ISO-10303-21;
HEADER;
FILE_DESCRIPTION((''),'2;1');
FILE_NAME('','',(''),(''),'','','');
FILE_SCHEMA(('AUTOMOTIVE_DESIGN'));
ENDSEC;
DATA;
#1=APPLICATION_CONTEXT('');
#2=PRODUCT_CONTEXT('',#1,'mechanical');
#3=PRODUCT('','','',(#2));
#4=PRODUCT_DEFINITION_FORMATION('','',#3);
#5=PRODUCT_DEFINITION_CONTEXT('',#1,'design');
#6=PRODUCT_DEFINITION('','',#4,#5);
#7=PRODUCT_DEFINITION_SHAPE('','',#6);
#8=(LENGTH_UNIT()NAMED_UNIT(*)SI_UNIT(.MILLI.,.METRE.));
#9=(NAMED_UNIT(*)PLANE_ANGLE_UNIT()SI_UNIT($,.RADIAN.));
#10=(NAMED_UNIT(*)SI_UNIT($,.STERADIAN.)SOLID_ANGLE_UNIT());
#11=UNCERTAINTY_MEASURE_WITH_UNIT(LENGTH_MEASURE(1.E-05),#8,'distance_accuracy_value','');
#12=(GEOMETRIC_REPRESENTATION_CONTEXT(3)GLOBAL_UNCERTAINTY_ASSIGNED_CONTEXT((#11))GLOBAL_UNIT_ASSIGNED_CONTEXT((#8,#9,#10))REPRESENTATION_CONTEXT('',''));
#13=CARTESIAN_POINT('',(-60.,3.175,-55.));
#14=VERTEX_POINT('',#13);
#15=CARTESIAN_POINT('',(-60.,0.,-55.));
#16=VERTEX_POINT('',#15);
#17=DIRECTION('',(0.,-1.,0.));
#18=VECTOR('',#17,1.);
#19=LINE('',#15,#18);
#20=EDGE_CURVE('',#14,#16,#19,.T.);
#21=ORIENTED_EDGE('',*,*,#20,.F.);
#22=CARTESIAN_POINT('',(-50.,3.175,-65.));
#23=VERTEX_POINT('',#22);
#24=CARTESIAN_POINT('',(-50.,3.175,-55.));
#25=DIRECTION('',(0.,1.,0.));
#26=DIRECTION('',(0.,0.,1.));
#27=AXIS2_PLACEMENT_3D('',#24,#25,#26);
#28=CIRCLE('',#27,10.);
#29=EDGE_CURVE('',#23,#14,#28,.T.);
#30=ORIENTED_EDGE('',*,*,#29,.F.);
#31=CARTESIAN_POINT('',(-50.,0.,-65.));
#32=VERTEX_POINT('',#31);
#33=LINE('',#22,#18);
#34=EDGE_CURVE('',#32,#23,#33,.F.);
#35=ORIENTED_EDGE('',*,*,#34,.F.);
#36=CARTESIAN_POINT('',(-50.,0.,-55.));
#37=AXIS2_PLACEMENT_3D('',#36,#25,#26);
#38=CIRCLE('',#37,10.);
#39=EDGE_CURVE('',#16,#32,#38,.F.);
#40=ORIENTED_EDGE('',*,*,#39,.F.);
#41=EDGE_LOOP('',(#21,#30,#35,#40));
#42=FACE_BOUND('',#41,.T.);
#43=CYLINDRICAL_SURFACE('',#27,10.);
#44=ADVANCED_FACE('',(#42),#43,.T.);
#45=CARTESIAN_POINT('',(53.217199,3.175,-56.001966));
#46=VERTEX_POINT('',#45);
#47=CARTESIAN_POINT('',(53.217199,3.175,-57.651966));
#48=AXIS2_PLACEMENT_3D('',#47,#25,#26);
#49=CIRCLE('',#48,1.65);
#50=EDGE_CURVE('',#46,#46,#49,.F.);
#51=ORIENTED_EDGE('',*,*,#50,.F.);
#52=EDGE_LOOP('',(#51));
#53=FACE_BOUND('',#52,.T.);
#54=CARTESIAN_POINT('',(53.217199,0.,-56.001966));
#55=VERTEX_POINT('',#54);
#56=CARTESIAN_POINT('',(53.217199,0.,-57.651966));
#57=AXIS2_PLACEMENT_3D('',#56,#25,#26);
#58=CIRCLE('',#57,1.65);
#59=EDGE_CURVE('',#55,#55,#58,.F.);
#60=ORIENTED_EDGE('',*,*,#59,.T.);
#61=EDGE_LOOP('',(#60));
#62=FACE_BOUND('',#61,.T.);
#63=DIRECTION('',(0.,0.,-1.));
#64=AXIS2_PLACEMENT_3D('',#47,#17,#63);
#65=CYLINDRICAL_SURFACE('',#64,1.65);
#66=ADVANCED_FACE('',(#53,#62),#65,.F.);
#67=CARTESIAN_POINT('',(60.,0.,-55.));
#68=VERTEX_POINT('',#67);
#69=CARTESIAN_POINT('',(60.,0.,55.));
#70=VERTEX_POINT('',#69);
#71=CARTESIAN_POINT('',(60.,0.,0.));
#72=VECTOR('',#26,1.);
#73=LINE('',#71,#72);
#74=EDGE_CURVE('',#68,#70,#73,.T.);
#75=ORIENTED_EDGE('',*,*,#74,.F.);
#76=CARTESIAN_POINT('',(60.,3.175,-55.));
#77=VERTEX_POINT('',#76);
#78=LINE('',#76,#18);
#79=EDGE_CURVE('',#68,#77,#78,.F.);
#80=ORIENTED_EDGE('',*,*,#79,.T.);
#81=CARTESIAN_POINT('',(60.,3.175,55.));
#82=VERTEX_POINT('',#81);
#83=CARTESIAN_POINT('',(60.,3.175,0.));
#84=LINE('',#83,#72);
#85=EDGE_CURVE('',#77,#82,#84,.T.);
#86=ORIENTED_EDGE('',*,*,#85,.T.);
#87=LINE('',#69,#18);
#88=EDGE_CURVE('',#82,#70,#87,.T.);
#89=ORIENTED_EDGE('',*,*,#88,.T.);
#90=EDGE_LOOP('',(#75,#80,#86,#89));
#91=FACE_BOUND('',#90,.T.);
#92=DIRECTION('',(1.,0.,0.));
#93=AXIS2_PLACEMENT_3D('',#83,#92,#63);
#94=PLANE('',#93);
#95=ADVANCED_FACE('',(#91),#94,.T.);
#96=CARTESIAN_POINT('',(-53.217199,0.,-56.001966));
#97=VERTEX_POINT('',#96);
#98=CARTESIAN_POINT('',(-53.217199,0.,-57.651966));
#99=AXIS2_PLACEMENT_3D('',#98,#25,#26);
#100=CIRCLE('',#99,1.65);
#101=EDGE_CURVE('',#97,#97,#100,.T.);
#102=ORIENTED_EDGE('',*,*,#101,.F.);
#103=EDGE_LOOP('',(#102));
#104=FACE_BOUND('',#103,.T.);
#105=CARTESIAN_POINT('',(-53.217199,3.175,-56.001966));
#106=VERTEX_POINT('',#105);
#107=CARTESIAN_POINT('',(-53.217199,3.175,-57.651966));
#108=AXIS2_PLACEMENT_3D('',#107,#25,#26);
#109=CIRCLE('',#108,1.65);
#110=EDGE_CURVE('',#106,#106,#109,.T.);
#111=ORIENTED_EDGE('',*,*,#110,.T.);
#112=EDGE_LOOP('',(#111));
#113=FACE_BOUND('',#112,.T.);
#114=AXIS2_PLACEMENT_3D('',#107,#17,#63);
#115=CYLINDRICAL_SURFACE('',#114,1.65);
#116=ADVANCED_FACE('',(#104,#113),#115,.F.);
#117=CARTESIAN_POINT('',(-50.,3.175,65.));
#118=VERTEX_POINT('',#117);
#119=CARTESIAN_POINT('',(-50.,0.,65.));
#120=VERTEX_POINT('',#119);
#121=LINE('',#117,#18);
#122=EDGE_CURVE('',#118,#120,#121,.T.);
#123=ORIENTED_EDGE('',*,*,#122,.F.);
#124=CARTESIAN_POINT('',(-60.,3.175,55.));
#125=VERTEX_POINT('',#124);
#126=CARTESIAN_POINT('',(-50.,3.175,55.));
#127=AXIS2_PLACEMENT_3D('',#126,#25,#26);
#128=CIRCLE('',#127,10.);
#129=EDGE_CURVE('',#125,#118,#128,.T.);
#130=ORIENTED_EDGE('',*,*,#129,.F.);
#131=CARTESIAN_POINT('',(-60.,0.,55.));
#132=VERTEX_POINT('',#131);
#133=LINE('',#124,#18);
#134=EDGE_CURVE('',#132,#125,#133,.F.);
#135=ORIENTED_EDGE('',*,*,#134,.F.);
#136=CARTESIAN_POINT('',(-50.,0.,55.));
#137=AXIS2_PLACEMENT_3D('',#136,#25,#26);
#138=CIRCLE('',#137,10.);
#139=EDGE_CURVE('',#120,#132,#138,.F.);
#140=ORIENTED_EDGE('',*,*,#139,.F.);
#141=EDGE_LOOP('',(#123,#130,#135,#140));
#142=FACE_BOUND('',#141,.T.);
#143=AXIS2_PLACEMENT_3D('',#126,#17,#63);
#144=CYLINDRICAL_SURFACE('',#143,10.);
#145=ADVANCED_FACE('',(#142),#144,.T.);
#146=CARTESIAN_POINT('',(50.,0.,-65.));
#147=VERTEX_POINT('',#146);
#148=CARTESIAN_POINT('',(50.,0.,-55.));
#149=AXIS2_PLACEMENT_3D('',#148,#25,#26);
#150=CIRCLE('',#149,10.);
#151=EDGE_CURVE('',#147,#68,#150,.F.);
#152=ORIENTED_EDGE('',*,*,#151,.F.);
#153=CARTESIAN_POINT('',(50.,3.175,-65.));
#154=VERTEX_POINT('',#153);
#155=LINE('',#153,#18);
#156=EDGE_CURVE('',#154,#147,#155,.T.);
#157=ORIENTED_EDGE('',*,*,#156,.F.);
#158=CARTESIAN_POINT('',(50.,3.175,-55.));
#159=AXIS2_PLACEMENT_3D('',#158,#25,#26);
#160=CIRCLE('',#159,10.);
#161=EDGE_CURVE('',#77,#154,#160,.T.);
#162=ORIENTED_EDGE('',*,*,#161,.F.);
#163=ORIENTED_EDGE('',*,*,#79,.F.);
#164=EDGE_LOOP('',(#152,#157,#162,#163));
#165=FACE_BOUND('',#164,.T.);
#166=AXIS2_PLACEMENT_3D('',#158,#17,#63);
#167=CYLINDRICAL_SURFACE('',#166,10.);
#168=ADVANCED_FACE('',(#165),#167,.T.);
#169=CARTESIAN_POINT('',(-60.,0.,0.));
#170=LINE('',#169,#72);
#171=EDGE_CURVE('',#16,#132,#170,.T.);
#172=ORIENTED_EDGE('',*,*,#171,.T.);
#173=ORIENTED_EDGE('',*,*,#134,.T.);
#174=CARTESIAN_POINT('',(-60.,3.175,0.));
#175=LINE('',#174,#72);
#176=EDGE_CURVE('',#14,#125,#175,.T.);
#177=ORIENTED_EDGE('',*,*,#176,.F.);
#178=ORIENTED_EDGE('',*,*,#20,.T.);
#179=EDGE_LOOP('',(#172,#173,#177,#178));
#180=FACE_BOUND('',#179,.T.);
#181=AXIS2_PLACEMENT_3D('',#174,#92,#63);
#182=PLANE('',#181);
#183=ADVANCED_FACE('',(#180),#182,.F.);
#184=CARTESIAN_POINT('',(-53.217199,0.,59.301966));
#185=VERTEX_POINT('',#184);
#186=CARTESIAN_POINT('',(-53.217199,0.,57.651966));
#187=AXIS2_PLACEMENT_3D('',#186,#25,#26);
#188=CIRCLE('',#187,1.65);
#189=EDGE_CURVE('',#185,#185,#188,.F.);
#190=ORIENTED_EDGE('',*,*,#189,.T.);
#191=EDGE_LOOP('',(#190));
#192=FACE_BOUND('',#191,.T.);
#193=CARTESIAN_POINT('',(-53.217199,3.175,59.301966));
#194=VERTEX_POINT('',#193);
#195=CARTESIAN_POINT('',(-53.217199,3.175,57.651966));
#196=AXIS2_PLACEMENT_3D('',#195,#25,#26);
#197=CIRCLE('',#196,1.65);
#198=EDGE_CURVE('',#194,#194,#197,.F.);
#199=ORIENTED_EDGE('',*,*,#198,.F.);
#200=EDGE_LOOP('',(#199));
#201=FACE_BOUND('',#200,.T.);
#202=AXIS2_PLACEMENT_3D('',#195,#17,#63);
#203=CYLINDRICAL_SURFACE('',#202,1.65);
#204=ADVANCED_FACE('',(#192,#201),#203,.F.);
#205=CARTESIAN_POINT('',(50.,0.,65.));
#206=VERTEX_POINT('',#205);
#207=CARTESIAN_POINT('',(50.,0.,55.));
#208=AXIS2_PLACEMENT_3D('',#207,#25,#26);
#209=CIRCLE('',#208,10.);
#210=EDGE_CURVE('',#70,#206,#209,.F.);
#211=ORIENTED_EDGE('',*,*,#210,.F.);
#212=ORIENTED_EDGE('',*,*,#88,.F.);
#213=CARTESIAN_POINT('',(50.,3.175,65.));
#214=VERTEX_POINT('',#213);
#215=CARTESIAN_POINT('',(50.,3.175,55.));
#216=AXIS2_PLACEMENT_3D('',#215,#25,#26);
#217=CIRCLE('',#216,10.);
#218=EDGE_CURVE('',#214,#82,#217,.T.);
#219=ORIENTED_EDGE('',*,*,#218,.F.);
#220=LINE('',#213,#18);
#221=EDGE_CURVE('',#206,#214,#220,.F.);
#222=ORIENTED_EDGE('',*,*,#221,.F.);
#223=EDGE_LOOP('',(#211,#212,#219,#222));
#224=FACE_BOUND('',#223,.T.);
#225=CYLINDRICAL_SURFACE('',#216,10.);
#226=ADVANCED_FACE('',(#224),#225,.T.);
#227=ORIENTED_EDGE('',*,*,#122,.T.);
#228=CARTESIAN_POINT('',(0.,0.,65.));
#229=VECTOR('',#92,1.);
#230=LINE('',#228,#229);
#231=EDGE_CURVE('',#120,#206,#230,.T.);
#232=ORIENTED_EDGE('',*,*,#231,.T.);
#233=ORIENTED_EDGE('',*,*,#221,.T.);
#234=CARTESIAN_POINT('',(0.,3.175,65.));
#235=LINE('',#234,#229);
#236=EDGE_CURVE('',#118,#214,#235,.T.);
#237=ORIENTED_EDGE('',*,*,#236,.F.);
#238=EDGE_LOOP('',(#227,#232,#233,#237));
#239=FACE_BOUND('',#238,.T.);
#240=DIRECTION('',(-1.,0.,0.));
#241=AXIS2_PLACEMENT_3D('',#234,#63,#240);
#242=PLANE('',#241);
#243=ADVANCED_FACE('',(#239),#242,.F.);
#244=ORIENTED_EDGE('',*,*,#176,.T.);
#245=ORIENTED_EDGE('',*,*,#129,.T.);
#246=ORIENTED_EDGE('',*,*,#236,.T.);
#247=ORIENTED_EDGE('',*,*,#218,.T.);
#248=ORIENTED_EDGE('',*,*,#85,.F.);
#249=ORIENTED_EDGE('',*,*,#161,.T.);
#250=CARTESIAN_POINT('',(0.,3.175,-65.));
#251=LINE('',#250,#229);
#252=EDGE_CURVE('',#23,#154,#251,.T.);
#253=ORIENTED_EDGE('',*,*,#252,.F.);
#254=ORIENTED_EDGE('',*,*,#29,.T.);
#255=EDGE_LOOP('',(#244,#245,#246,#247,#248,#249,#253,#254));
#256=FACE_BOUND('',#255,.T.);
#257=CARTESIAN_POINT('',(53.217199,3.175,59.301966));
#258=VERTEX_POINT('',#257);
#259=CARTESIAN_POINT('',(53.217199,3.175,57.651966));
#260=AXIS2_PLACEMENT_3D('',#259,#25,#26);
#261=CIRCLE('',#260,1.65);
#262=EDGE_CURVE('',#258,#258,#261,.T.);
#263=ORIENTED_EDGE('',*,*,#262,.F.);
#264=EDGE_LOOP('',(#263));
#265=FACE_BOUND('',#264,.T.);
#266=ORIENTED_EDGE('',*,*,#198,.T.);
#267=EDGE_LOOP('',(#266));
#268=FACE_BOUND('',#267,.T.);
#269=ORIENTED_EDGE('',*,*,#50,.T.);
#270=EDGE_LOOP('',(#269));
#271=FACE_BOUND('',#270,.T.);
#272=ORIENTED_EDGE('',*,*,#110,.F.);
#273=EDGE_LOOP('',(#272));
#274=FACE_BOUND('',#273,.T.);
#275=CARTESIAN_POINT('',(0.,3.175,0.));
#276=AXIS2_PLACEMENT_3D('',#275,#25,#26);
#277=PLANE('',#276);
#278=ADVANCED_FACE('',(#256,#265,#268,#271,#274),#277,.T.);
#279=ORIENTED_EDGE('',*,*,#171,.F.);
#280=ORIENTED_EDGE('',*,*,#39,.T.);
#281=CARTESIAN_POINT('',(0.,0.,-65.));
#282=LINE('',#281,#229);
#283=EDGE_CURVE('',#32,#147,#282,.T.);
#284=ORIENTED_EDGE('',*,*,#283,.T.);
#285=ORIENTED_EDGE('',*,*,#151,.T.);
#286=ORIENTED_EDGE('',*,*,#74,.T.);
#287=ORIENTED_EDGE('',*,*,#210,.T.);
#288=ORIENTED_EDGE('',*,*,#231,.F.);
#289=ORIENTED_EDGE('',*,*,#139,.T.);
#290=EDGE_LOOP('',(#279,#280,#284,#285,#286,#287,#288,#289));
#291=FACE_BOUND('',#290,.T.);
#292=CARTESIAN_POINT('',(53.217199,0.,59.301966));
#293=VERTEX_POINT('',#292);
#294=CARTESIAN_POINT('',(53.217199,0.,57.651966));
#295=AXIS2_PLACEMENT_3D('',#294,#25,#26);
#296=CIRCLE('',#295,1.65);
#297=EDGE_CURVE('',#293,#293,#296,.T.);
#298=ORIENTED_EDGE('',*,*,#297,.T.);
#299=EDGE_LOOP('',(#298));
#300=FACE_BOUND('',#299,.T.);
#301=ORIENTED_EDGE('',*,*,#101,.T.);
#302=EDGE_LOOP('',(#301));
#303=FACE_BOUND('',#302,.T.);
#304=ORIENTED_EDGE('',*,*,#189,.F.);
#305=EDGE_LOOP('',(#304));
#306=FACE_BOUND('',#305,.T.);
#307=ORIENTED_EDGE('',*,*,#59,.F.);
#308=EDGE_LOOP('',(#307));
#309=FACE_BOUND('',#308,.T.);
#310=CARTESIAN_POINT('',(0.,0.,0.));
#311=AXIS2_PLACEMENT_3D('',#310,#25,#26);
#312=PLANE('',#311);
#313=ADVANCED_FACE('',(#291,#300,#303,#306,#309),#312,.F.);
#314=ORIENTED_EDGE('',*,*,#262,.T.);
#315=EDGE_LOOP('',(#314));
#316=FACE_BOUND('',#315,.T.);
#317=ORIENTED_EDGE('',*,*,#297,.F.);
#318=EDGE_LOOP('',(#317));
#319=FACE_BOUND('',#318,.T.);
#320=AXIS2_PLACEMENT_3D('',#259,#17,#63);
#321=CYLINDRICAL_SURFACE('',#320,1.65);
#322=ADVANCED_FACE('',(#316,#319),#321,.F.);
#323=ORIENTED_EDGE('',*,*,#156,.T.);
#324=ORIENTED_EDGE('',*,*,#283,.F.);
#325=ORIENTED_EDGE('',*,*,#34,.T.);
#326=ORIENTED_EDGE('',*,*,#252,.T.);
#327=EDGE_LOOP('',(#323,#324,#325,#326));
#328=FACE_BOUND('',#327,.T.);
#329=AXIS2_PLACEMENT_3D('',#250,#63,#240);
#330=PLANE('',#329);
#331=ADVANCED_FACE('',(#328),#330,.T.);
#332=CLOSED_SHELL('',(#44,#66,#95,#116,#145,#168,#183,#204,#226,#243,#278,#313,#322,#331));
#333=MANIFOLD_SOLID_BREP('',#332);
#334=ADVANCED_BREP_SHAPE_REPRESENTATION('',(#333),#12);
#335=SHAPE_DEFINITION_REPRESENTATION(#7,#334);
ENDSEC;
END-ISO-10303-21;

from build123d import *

# Parameters (mm, degrees)
SKETCH1_W           = 120
SKETCH1_H           = 130
SKETCH1_R           = 1.65
BOSS_EXTRUDE1_DEPTH = 3.175
FILLET1_R           = 10


with BuildPart() as part:
    # Sketch1 → Boss-Extrude1 (new body)
    with BuildSketch(Plane(origin=(0, 0, 0), x_dir=(1, 0, 0), z_dir=(0, 1, 0))):
        Rectangle(SKETCH1_W, SKETCH1_H)
        with Locations(Location((53.217198973, -57.651965554, 0), (0, 0, 270))):
            Circle(SKETCH1_R, mode=Mode.SUBTRACT)
        with Locations(Location((53.217198973, 57.651965554, 0), (0, 0, 270))):
            Circle(SKETCH1_R, mode=Mode.SUBTRACT)
        with Locations(Location((-53.217198973, -57.651965554, 0), (0, 0, 270))):
            Circle(SKETCH1_R, mode=Mode.SUBTRACT)
        with Locations(Location((-53.217198973, 57.651965554, 0), (0, 0, 270))):
            Circle(SKETCH1_R, mode=Mode.SUBTRACT)
    extrude(amount=BOSS_EXTRUDE1_DEPTH)

    # Fillet1
    fillet1_edges = [part.edges().sort_by_distance(p)[0] for p in [
        (60, 1.5875, 65),
        (-60, 1.5875, 65),
        (-60, 1.5875, -65),
        (60, 1.5875, -65),
    ]]
    fillet(fillet1_edges, radius=FILLET1_R)


solid = part.part
